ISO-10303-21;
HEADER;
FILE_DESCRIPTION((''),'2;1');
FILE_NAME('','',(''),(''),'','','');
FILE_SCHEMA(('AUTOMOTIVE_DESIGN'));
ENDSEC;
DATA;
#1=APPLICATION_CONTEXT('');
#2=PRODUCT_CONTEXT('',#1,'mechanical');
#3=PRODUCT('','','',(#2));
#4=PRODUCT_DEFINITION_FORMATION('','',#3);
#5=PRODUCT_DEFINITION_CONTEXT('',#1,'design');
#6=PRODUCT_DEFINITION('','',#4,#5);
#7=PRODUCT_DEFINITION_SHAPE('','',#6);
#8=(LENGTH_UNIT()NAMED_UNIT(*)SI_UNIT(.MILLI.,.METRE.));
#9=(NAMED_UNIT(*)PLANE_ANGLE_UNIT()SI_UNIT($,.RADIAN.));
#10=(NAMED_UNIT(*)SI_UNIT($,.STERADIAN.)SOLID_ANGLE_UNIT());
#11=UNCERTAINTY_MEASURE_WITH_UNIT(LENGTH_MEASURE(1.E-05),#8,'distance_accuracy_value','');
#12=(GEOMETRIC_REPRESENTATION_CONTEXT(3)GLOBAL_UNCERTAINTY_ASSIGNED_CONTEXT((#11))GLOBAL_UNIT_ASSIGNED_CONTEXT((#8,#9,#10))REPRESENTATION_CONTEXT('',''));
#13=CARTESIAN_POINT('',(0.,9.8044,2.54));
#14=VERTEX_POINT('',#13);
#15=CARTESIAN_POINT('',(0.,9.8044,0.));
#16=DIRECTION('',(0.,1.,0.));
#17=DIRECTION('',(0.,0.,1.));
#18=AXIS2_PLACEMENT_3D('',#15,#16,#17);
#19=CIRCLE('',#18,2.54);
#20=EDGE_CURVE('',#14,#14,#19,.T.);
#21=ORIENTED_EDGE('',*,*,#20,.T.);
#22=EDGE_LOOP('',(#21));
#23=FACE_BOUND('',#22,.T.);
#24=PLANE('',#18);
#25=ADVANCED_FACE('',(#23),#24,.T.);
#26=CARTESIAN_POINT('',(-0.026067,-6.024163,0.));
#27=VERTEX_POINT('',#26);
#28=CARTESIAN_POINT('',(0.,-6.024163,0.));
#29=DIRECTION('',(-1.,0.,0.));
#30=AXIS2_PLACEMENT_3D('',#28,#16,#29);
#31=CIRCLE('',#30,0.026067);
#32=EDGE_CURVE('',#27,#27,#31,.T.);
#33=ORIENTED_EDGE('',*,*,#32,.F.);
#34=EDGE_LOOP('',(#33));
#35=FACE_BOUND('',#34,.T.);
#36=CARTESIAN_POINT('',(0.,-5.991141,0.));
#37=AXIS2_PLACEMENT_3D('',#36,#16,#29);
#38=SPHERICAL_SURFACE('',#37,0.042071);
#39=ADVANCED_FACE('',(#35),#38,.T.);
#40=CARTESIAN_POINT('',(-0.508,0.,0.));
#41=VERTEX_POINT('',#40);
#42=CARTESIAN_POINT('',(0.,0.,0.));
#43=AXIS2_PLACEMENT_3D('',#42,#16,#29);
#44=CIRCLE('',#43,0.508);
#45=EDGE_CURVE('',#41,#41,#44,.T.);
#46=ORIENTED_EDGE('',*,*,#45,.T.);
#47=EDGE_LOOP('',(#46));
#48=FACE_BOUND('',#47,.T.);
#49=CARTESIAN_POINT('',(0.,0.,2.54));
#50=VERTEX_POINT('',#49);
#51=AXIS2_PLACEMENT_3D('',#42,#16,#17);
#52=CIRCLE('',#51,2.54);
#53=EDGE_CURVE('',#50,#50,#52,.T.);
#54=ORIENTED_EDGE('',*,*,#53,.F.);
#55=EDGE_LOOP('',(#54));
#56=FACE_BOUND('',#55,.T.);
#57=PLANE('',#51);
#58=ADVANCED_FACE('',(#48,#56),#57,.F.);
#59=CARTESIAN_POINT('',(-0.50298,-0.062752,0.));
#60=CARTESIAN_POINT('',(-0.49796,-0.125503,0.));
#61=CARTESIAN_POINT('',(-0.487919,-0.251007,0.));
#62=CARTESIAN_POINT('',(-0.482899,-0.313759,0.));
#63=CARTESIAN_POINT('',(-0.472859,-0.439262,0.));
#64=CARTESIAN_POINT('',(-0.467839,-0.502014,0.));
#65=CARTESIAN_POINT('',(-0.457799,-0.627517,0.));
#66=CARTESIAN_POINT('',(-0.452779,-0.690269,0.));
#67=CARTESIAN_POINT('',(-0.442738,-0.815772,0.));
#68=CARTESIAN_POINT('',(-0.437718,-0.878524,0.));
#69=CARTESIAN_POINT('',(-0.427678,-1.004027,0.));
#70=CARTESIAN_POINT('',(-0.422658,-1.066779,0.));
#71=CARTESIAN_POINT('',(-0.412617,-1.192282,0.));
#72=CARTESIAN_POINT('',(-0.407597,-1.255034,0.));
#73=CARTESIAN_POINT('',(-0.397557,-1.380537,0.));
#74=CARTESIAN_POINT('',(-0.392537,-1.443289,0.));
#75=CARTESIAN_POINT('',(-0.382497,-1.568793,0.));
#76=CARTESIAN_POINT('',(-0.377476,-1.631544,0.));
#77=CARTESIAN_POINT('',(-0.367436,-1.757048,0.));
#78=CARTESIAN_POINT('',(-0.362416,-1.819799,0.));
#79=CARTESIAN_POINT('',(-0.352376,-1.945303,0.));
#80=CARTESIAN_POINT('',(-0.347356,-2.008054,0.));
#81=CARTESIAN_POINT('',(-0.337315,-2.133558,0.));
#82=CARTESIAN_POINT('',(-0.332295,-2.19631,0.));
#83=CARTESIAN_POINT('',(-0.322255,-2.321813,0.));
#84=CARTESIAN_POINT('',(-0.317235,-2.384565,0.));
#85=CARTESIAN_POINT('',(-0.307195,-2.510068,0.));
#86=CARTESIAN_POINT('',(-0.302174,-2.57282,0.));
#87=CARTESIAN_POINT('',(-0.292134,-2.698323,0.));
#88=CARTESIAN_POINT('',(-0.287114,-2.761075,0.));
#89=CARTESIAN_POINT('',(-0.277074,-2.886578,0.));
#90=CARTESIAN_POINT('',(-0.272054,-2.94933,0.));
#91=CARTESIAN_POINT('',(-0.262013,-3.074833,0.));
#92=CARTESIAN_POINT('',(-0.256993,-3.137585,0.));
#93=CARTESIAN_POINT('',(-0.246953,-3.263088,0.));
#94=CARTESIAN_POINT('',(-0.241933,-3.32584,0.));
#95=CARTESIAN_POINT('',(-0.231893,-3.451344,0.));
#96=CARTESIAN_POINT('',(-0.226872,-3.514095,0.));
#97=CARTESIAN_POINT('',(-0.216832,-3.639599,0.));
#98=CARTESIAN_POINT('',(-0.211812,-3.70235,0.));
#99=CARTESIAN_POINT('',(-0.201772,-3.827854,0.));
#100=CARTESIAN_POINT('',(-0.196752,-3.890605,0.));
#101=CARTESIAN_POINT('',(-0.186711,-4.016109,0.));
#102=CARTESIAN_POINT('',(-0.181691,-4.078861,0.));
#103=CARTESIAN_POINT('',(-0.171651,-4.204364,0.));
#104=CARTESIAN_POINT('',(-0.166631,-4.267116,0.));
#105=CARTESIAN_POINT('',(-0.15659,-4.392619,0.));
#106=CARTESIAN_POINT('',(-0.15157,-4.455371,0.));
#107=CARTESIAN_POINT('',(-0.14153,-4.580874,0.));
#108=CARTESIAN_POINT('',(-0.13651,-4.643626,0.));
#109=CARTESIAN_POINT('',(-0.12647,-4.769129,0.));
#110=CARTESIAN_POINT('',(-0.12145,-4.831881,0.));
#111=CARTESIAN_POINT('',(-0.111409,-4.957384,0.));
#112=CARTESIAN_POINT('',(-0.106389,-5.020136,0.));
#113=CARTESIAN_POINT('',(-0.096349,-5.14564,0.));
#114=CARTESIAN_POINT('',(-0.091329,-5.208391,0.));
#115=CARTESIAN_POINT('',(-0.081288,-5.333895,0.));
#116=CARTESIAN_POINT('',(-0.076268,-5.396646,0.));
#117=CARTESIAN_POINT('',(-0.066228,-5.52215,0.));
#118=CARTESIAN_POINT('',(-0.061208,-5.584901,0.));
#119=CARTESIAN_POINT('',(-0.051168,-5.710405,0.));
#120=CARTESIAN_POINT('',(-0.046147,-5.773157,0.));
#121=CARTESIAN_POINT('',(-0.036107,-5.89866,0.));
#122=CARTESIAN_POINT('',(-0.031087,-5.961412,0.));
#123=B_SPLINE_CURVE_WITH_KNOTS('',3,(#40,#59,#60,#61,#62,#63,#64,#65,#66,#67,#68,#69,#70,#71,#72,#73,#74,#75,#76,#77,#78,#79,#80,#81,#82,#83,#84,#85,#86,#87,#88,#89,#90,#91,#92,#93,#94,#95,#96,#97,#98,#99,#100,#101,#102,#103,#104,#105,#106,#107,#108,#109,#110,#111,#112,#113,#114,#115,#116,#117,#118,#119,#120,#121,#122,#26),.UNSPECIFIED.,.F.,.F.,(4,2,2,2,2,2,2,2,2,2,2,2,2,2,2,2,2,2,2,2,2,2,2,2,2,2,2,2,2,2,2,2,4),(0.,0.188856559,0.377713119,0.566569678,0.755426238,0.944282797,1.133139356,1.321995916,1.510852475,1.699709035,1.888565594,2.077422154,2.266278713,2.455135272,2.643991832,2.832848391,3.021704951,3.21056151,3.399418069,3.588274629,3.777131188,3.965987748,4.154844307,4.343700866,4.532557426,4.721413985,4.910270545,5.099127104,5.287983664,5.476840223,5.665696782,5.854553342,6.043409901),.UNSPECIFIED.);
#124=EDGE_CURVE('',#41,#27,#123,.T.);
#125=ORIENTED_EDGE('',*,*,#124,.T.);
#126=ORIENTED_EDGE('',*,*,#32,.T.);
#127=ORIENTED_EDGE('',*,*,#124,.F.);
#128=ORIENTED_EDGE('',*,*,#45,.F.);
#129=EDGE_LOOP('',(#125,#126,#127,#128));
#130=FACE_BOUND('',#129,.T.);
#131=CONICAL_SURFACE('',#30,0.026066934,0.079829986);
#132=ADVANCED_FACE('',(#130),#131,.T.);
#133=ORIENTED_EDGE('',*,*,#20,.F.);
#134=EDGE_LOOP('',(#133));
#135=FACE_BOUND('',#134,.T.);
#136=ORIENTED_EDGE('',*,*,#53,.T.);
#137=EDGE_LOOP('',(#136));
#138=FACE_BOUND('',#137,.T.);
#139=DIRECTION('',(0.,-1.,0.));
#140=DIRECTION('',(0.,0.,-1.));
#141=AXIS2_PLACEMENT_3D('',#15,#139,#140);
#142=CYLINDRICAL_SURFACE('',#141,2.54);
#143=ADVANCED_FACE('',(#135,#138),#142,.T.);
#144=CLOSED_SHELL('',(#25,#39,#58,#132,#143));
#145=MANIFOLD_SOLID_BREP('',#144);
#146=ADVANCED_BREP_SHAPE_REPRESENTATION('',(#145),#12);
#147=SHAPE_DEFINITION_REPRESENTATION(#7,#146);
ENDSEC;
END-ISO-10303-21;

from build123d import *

# Parameters (mm, degrees)
SKETCH1_R           = 2.54
BOSS_EXTRUDE1_DEPTH = 9.8044


with BuildPart() as part:
    # Sketch1 → Boss-Extrude1 (new body)
    with BuildSketch(Plane(origin=(0, 0, 0), x_dir=(1, 0, 0), z_dir=(0, 1, 0))):
        Circle(SKETCH1_R)
    extrude(amount=BOSS_EXTRUDE1_DEPTH)

    # Sketch2 → Revolve1 (revolve)
    with BuildSketch(Plane.XY):
        with BuildLine():
            Line((0, -6.033211953), (0, 0))
            Line((0, 0), (-0.508, 0))
            Line((-0.508, 0), (-0.026066934, -6.024163324))
            ThreePointArc((-0.026066934, -6.024163324), (-0.013796401, -6.030885469), (0, -6.033211953))
        make_face()
    revolve(axis=Axis((0, 0, 0), (0, -1, 0)))


solid = part.part
